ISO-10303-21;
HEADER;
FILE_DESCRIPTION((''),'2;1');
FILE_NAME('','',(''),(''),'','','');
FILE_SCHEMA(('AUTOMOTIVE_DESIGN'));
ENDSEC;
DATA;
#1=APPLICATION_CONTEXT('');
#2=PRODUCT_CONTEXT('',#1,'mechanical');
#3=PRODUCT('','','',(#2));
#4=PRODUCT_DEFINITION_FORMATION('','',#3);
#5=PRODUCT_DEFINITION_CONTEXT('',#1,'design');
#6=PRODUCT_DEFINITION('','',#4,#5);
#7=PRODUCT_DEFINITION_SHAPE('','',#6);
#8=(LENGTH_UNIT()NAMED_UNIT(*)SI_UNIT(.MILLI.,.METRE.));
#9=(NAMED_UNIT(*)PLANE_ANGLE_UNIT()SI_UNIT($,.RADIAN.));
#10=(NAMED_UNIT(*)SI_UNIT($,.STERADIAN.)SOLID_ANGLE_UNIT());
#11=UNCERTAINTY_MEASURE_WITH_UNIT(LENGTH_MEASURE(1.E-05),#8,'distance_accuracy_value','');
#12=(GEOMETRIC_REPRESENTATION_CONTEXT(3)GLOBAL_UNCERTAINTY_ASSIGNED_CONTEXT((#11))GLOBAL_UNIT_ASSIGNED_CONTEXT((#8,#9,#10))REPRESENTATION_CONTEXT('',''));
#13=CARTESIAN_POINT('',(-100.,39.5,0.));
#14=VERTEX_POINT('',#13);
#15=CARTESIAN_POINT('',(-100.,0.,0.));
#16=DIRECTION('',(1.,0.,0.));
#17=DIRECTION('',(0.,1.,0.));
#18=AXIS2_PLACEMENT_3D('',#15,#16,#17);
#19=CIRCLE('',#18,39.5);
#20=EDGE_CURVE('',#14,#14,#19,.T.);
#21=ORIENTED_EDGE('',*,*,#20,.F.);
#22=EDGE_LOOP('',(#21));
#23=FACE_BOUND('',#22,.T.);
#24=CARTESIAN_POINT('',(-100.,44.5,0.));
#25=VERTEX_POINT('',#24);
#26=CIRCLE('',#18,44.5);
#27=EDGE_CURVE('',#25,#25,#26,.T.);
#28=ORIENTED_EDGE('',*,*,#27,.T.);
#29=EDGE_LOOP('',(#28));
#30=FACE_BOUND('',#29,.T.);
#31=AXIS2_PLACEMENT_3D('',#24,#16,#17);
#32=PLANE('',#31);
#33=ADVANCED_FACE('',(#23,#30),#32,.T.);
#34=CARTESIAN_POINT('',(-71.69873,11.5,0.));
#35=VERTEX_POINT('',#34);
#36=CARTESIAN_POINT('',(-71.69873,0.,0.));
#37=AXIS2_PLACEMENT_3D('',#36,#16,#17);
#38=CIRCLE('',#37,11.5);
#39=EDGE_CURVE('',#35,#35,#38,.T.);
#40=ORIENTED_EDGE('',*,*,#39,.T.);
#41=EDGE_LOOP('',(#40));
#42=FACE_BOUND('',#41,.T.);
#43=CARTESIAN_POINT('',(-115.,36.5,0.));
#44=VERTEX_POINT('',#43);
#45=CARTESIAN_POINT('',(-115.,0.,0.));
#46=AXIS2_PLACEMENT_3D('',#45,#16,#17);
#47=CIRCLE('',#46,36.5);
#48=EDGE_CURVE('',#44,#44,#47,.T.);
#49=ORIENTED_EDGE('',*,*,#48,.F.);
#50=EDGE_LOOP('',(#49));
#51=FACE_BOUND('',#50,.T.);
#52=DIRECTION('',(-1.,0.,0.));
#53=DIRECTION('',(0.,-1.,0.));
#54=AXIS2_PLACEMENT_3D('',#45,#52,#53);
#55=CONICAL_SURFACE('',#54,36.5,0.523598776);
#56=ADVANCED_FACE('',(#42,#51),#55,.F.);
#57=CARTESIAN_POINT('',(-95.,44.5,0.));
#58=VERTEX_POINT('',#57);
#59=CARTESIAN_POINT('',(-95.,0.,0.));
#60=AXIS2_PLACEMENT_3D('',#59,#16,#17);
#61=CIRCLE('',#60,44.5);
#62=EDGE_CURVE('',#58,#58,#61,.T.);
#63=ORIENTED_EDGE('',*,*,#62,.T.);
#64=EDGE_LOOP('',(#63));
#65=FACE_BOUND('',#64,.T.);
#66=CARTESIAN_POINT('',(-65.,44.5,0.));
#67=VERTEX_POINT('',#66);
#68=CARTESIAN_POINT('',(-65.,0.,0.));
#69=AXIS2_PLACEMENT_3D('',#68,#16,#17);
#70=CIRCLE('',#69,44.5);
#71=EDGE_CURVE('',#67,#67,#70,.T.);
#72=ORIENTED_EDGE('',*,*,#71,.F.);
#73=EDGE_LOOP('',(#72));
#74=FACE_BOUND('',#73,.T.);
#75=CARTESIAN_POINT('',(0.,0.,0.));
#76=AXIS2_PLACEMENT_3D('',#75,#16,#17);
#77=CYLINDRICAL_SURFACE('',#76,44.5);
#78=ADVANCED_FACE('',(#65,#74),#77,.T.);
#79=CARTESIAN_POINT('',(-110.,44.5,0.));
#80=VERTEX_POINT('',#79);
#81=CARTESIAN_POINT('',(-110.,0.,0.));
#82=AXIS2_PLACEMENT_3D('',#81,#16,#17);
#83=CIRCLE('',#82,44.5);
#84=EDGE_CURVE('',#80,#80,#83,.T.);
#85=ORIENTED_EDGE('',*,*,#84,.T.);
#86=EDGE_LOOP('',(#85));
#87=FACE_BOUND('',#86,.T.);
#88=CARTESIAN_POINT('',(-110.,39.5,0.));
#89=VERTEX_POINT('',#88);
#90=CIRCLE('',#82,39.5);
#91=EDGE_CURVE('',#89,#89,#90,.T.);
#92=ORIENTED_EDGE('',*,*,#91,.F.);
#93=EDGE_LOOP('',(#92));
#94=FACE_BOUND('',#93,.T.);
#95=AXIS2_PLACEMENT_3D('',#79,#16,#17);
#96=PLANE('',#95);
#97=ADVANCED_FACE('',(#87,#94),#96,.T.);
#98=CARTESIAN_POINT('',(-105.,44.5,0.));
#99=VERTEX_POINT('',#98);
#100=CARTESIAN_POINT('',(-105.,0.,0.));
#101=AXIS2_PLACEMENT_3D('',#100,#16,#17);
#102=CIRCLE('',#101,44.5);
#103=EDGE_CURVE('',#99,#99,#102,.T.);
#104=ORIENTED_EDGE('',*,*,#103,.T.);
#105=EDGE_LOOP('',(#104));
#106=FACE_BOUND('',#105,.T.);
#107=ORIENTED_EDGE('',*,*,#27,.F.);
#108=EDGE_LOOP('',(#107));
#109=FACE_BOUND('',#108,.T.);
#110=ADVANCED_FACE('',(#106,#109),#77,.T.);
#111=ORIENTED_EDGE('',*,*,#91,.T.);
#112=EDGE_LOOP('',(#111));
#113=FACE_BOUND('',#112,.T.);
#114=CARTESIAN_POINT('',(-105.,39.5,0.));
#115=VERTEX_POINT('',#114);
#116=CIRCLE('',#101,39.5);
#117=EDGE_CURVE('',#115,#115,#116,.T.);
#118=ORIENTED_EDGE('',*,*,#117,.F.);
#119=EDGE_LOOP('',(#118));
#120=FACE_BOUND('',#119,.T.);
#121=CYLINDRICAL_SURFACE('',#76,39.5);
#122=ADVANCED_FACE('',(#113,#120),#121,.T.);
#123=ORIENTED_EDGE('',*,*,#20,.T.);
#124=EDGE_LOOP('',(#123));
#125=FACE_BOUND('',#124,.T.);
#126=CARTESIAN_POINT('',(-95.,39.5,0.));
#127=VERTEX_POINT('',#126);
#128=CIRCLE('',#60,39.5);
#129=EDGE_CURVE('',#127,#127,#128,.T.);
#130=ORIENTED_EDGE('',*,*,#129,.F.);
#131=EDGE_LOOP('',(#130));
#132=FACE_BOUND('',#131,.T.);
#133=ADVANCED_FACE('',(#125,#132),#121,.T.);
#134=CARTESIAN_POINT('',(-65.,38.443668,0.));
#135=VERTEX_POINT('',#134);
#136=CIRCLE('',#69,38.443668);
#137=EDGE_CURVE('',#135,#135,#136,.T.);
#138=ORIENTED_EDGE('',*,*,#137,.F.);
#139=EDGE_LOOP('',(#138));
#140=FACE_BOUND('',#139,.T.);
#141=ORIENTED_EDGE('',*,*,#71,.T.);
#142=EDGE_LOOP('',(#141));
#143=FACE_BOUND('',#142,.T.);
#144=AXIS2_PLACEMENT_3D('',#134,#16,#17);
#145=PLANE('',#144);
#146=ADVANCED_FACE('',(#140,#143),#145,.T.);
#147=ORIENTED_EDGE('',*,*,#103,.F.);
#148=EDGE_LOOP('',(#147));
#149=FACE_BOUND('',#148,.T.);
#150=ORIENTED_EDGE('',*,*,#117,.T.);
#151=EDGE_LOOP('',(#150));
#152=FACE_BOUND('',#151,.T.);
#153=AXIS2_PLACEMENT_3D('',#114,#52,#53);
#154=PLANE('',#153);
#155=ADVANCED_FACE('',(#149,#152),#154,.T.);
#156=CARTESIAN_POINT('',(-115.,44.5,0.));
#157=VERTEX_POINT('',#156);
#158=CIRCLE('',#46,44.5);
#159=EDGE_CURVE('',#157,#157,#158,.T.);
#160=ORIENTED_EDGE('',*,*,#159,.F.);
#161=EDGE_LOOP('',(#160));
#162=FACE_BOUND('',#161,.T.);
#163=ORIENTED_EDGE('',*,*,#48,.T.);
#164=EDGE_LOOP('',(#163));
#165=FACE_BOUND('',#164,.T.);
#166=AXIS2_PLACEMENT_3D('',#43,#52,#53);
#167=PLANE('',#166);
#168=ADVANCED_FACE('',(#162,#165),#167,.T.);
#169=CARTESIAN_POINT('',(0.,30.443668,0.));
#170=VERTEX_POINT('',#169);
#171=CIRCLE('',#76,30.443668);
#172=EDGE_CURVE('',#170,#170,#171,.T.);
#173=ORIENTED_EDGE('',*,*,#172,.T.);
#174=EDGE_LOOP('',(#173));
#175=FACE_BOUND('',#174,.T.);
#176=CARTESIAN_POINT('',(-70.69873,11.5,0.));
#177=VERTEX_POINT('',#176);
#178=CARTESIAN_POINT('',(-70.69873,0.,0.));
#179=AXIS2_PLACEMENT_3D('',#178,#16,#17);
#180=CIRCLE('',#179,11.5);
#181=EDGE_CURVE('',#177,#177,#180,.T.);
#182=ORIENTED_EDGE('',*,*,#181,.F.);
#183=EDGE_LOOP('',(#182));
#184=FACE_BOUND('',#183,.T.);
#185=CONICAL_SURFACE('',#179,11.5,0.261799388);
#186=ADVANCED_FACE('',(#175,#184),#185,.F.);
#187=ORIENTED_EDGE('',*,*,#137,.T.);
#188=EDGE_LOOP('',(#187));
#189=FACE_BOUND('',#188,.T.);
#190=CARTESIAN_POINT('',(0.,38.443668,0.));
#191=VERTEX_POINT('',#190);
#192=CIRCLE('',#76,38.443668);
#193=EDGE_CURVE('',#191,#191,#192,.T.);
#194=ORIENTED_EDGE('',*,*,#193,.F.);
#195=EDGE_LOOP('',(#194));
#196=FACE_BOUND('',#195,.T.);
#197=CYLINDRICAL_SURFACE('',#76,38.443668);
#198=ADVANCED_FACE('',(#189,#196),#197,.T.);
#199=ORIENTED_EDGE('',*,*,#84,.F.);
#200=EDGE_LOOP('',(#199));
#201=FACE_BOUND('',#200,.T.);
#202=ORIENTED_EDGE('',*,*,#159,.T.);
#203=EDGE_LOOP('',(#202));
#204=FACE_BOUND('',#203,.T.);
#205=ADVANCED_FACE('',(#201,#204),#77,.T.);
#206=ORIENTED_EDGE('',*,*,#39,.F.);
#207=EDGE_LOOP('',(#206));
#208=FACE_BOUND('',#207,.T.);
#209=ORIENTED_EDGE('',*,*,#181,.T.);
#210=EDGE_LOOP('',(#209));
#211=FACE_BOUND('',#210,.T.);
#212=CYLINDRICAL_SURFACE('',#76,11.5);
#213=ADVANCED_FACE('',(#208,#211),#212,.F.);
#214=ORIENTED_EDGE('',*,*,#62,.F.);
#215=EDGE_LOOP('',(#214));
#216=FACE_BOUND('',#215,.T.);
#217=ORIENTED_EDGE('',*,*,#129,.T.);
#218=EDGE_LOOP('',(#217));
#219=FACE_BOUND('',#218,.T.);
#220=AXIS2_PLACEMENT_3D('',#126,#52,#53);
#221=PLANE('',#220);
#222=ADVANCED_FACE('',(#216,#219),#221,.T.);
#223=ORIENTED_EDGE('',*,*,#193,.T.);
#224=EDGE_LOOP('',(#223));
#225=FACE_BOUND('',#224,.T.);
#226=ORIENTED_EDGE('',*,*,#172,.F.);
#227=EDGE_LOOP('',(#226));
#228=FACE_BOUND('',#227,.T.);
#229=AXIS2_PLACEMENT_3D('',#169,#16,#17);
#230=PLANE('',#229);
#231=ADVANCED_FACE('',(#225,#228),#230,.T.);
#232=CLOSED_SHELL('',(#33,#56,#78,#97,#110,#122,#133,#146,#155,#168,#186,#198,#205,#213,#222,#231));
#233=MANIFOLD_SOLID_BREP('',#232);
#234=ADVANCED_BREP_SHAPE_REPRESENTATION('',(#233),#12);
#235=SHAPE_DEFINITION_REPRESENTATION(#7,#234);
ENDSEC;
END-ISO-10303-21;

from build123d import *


with BuildPart() as part:
    # Sketch1 → Revolve1 (revolve)
    with BuildSketch(Plane.XY):
        Polygon((-115, 36.5), (-71.698729811, 11.5), (-70.698729811, 11.5), (0, 30.443667559), (0, 38.443667559), (-65, 38.443667559), (-65, 44.5), (-95, 44.5), (-95, 39.5), (-100, 39.5), (-100, 44.5), (-105, 44.5), (-105, 39.5), (-110, 39.5), (-110, 44.5), (-115, 44.5), align=None)
    revolve(axis=Axis((0, 0, 0), (-1, 0, 0)))


solid = part.part
